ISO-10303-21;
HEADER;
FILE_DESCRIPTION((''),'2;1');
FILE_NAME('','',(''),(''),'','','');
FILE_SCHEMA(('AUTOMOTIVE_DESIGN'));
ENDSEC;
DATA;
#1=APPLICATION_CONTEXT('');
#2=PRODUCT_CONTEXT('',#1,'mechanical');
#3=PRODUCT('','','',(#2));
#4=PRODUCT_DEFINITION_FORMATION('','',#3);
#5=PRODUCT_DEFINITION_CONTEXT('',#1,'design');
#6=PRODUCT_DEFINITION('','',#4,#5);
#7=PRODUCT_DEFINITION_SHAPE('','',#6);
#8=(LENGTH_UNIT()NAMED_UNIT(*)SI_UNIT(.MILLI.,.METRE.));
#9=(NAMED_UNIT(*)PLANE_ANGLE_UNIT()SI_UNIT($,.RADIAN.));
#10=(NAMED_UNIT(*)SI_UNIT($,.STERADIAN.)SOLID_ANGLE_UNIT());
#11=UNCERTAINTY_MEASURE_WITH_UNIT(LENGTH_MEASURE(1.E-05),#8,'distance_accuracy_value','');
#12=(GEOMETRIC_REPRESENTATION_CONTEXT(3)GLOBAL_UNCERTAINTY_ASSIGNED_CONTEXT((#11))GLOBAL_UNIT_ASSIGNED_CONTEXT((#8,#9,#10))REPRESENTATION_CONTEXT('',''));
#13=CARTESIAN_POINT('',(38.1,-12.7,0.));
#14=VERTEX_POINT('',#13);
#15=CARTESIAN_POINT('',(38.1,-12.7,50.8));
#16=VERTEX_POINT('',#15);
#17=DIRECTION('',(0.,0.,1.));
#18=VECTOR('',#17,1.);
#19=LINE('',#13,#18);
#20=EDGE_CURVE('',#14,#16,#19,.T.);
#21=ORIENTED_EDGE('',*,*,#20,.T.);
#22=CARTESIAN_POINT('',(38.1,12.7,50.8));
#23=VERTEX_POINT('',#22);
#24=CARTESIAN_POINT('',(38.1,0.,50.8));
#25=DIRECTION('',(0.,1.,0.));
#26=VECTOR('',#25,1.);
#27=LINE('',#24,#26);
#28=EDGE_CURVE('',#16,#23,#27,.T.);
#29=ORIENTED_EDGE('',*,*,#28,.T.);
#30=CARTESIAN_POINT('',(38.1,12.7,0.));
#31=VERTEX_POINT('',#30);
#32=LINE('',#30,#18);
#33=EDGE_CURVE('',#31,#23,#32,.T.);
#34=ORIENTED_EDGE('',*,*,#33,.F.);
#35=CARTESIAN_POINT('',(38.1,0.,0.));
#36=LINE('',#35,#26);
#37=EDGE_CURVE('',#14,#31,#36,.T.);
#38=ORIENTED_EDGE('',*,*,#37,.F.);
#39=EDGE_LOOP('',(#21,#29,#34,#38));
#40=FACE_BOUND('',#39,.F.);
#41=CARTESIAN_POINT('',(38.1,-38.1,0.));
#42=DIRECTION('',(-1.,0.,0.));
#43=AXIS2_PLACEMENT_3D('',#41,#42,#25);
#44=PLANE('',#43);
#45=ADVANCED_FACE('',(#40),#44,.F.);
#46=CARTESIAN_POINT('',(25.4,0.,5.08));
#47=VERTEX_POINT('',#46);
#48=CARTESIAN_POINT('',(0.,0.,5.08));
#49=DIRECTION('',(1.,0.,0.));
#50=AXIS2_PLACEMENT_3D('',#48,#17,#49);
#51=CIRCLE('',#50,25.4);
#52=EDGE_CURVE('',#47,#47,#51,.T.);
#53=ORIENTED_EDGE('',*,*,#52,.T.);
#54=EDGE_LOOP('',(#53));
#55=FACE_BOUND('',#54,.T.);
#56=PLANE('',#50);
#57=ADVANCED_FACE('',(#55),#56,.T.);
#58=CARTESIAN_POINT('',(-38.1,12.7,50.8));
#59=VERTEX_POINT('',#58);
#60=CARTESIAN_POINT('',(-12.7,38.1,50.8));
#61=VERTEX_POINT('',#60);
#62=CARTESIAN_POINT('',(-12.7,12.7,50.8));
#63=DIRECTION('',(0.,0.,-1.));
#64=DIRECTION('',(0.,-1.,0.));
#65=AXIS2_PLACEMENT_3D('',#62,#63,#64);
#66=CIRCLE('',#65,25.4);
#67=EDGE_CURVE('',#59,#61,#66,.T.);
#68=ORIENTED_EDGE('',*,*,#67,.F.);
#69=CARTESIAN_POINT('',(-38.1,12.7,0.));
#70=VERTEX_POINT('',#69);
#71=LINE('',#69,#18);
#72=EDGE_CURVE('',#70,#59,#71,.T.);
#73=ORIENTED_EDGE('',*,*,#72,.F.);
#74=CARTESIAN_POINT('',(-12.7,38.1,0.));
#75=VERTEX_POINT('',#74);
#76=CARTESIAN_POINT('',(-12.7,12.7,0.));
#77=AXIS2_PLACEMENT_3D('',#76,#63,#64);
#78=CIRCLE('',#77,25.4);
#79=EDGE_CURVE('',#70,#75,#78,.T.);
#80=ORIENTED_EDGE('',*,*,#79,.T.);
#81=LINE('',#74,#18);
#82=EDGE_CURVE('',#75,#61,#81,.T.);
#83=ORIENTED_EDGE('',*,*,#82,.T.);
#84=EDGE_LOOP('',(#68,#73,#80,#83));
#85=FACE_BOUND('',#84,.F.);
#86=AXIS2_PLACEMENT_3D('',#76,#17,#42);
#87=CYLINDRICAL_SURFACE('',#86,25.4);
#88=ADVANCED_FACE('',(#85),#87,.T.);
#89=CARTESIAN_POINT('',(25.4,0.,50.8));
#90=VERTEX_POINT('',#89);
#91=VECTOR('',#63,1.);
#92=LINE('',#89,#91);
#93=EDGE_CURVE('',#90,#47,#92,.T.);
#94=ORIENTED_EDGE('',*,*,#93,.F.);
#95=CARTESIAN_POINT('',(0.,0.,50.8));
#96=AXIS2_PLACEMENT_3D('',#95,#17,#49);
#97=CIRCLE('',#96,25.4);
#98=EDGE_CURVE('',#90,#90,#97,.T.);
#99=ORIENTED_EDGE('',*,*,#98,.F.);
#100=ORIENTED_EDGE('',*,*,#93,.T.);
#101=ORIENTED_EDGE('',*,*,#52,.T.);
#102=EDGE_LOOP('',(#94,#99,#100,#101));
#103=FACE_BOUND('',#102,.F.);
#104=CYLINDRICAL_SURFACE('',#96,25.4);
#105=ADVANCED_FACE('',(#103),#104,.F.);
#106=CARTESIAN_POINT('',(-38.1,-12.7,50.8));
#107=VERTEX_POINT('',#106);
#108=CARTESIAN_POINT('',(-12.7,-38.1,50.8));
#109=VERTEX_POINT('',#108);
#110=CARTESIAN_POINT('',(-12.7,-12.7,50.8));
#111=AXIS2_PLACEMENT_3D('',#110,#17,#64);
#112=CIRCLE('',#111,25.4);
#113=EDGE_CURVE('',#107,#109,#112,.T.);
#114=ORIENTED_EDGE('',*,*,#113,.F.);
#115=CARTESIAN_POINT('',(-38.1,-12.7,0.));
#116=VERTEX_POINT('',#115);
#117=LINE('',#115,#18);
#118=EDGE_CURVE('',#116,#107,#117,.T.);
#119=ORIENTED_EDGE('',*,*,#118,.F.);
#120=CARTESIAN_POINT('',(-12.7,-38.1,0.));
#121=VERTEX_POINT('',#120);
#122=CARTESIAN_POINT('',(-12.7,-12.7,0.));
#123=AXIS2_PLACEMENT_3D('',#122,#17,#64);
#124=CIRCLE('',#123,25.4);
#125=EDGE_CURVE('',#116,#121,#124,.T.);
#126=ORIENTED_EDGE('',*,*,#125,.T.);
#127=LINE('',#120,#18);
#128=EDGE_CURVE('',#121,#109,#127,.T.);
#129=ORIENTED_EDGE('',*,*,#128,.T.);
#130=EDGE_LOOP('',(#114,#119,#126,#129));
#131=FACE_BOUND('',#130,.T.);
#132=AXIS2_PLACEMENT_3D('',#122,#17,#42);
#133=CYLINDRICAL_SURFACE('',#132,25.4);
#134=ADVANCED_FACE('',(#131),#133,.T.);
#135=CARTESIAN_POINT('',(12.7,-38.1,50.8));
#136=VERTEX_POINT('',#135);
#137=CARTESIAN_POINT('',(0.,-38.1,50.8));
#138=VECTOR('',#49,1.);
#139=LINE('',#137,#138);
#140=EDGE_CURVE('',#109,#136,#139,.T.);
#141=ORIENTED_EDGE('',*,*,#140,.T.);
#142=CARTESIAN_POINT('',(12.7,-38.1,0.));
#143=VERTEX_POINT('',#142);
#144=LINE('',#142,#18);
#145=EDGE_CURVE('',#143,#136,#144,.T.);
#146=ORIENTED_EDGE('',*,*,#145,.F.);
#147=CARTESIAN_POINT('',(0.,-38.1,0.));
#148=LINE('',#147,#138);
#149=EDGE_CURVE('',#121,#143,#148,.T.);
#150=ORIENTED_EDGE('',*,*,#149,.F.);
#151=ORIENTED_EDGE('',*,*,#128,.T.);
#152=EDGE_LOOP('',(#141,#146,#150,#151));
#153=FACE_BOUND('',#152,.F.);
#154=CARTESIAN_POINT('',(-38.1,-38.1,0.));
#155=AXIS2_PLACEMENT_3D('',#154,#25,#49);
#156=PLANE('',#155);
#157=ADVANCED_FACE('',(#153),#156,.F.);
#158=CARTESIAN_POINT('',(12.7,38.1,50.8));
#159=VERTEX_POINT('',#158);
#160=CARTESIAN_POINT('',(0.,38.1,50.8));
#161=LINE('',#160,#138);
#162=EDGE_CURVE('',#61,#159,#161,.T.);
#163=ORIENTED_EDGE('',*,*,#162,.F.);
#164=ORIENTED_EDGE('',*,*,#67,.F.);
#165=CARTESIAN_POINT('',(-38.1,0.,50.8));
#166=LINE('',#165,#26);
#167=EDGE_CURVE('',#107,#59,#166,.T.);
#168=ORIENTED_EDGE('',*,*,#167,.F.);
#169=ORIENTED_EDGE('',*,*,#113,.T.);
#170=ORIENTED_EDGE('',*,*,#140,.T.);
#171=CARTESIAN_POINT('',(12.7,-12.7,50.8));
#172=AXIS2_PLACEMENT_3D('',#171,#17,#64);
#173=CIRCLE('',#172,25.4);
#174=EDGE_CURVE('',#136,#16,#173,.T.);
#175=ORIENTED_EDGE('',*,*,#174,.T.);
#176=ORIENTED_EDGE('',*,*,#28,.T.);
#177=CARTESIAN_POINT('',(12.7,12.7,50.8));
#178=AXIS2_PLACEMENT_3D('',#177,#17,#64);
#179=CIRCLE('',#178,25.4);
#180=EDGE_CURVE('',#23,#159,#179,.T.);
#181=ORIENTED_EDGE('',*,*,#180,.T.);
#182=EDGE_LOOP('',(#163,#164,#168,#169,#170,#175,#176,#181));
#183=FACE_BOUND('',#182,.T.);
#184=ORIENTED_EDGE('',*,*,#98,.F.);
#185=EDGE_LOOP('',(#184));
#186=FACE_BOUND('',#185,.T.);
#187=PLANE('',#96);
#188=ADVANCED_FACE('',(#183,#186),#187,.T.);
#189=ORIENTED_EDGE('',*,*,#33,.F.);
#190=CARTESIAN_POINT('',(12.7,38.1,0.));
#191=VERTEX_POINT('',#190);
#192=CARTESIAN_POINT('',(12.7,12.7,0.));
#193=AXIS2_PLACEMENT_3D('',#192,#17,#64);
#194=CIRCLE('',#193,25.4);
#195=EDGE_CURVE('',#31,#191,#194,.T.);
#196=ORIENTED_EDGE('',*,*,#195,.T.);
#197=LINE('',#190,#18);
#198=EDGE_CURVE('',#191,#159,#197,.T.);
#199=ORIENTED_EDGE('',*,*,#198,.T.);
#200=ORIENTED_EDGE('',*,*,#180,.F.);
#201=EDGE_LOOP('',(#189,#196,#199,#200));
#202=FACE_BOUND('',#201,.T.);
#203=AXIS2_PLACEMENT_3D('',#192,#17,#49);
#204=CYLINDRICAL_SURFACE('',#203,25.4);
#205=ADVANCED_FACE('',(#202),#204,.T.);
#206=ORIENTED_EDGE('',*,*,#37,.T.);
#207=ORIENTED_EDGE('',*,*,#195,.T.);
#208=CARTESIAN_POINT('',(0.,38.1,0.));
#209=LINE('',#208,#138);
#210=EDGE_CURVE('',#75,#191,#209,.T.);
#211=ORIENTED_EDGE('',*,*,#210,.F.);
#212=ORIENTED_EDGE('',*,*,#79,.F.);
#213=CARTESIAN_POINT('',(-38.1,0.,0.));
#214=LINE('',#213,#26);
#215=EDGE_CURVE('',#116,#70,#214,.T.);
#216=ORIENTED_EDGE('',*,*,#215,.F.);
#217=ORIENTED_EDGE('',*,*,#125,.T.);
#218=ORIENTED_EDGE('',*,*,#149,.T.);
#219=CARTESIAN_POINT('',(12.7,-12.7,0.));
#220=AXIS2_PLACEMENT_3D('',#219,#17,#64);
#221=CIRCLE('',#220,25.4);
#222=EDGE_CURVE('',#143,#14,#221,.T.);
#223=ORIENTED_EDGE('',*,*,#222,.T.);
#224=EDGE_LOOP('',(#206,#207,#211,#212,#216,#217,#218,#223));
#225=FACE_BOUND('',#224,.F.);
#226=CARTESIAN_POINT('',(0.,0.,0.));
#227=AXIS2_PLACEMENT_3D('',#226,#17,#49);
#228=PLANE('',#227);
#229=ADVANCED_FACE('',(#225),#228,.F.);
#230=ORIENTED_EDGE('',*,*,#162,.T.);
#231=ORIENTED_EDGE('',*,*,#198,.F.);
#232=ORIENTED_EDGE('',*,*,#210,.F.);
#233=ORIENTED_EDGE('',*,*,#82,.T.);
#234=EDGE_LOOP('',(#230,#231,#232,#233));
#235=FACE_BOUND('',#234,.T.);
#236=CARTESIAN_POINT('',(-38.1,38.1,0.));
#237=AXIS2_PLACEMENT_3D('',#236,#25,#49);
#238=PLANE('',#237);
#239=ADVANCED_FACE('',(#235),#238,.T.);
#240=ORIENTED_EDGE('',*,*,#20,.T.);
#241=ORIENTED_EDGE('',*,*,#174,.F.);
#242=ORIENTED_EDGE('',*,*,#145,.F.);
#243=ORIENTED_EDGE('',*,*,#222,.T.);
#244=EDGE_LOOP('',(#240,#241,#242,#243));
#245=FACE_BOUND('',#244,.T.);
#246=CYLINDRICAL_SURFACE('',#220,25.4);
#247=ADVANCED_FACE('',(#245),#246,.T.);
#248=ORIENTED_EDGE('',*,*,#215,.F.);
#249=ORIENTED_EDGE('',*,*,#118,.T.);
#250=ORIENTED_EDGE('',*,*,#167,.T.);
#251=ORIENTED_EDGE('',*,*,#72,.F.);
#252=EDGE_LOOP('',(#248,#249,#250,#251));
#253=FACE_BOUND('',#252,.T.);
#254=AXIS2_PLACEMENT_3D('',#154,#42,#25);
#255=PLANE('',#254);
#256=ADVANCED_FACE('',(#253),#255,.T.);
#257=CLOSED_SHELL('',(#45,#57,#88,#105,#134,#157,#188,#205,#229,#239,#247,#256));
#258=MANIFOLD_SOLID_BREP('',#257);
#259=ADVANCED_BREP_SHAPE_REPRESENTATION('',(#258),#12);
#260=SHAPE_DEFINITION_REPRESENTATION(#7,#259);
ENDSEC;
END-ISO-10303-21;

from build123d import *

# Parameters (mm, degrees)
F0_W     = 76.2
F0_H     = 76.2
F1_DEPTH = 50.8
F2_R     = 25.4
F3_R     = 25.4
F4_DEPTH = 45.72


with BuildPart() as f1:
    # F0 (on Top) → F1 (new body)
    with BuildSketch(Plane.XY):
        Rectangle(F0_W, F0_H)
    extrude(amount=F1_DEPTH)

    # F2
    f2_edges = [f1.edges().sort_by_distance(p)[0] for p in [
        (-38.1, -38.1, 25.4),
        (38.1, -38.1, 25.4),
        (-38.1, 38.1, 25.4),
        (38.1, 38.1, 25.4),
    ]]
    fillet(f2_edges, radius=F2_R)

    # F3 (on face) → F4 (cut)
    with BuildSketch(Plane.XY.offset(50.8)):
        Circle(F3_R)
    extrude(amount=-F4_DEPTH, mode=Mode.SUBTRACT)


solid = f1.part
